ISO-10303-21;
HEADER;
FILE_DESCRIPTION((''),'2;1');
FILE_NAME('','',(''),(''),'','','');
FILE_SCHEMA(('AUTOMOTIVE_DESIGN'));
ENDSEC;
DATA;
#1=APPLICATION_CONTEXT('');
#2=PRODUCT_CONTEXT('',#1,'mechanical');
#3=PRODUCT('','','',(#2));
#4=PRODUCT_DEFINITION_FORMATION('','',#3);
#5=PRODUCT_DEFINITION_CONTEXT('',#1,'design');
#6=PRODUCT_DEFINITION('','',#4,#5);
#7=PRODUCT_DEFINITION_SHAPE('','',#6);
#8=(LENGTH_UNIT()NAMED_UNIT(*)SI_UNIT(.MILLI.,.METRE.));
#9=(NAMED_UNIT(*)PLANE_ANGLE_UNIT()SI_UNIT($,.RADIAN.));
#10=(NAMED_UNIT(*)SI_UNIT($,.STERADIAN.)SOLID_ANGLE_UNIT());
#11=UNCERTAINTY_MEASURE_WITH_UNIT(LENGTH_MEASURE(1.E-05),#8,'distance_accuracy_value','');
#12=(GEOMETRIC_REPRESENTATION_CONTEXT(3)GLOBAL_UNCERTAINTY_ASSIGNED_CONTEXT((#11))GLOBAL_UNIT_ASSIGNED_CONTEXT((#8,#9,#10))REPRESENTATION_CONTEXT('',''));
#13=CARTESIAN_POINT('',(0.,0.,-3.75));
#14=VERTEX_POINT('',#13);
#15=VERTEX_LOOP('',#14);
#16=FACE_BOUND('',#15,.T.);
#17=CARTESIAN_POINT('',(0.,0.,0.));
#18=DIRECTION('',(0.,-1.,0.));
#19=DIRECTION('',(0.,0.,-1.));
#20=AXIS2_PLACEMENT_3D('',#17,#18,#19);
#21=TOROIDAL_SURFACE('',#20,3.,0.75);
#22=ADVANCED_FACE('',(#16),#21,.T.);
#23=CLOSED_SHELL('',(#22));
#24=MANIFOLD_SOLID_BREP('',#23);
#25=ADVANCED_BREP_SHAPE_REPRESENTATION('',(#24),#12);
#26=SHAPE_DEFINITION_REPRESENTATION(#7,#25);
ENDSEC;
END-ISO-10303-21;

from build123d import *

# Parameters (mm, degrees)
SKETCH1_R = 0.75


with BuildPart() as part:
    # Sketch1 → Revolve1 (revolve)
    with BuildSketch(Plane.XY, mode=Mode.PRIVATE) as revolve1_sk:
        with Locations((-3, 0)):
            Circle(SKETCH1_R)
    revolve(revolve1_sk.sketch.rotate(Axis((0, 0, 0), (0, 1, 0)), 270), axis=Axis((0, 0, 0), (0, 1, 0)))


solid = part.part
